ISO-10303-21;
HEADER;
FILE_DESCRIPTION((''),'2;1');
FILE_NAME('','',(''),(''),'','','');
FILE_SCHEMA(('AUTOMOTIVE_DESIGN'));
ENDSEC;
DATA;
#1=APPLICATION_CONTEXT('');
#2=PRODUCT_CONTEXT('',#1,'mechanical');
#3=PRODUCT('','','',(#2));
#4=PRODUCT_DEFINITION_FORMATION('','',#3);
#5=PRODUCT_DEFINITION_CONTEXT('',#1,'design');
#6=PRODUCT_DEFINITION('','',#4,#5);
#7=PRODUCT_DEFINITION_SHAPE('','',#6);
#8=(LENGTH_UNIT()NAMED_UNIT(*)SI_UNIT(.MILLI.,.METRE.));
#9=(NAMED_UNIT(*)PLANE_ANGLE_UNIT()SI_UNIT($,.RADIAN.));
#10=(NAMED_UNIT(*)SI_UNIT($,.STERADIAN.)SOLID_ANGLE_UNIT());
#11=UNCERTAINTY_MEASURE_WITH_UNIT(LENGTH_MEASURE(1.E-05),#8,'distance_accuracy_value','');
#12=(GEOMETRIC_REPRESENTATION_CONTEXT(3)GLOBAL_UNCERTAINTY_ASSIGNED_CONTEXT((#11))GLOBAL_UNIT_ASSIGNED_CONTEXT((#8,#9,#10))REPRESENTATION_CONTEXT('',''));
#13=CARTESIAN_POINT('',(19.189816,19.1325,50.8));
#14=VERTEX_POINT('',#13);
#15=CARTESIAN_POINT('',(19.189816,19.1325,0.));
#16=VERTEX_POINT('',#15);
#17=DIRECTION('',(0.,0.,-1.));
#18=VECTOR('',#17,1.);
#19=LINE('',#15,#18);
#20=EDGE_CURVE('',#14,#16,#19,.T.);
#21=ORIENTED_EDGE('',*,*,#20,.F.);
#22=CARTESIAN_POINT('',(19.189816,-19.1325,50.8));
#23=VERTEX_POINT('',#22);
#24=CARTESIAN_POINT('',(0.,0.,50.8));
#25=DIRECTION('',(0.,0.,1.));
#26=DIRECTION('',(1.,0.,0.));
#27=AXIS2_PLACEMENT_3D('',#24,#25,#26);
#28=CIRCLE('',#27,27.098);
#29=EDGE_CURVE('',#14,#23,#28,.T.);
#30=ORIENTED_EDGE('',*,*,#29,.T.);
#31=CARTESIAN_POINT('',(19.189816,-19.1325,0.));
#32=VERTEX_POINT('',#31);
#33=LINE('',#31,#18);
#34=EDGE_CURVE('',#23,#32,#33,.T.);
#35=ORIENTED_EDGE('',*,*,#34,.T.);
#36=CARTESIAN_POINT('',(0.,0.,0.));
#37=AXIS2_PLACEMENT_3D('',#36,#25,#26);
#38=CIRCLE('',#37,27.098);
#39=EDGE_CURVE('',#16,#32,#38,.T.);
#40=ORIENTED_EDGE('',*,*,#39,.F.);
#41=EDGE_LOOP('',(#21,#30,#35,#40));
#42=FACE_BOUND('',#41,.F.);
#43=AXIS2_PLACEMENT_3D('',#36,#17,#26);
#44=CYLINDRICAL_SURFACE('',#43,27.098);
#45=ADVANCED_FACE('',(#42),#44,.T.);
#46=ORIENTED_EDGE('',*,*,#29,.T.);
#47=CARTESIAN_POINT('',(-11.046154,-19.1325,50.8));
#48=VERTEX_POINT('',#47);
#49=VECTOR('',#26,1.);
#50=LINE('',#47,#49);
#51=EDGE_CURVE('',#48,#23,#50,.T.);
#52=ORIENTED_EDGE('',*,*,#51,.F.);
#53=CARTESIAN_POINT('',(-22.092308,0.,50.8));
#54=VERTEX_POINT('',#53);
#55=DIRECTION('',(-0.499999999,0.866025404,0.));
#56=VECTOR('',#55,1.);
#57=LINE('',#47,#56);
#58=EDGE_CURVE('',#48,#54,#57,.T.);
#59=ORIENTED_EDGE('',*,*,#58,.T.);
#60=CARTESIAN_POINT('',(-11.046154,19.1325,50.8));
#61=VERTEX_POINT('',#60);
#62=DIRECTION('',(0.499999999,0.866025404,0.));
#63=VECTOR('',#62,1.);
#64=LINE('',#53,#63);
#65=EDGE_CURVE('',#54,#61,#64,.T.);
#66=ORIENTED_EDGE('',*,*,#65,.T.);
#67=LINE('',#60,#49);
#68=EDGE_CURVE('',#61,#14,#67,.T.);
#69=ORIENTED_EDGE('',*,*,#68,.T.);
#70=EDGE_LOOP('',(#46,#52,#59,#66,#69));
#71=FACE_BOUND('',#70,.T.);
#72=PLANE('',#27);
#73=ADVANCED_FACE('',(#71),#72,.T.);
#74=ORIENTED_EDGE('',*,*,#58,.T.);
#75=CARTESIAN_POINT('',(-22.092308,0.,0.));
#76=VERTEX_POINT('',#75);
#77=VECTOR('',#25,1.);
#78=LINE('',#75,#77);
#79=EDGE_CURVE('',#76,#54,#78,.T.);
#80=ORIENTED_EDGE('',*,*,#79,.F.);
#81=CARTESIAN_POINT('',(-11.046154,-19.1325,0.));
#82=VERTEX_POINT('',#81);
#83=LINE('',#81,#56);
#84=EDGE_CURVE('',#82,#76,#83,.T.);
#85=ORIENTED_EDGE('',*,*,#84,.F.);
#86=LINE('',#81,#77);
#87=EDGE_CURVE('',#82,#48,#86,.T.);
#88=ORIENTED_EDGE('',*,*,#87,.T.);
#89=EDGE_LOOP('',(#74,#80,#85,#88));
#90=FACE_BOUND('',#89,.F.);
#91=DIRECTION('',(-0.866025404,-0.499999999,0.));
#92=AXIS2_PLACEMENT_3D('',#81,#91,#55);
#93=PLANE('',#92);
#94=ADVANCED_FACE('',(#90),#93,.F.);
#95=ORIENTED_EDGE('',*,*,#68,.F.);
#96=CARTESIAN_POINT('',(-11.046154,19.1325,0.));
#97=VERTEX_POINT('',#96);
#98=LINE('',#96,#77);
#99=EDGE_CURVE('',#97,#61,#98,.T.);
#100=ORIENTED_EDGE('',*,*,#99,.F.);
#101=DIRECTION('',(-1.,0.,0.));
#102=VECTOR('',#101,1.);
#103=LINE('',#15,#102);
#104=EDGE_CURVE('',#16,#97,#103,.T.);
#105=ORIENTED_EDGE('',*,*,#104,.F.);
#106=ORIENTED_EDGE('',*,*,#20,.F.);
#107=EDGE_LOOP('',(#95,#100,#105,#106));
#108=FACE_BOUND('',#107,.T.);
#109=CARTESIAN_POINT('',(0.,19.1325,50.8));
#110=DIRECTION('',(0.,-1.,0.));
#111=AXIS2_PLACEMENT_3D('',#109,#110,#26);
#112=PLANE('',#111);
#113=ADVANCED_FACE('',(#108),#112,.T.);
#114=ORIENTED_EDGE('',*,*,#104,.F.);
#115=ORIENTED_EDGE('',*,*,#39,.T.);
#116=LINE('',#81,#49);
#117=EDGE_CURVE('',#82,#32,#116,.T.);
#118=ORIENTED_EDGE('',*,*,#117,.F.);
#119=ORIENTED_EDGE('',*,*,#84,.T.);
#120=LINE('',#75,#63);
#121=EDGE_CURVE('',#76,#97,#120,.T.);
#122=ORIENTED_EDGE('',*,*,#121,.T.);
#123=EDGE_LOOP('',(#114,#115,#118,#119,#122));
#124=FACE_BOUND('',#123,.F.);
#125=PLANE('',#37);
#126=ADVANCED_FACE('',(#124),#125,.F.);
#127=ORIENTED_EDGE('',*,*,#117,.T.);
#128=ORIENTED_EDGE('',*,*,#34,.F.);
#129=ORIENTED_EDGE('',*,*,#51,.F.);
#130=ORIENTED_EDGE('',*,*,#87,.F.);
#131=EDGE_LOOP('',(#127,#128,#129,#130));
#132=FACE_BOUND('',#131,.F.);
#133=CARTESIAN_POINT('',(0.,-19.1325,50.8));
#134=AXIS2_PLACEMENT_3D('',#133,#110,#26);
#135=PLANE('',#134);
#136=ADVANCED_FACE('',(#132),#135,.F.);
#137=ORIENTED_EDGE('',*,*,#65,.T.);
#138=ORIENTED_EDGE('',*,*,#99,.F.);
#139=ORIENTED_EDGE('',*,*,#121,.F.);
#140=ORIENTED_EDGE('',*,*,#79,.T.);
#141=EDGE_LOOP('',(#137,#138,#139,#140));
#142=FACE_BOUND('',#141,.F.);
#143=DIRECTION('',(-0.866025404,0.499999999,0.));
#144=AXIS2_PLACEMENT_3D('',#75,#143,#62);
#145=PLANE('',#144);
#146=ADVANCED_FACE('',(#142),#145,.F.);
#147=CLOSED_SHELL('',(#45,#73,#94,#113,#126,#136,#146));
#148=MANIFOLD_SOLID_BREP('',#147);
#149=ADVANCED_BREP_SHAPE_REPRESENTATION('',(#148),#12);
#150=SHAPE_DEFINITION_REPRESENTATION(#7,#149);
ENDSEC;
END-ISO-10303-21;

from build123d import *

# Parameters (mm, degrees)
F0_R     = 27.098
F1_DEPTH = 50.8
F2_W     = 42.396251
F2_H     = 38.265
F3_DEPTH = 50.8


with BuildPart() as f1:
    # F0 (on Top) → F1 (new body)
    with BuildSketch(Plane.XY):
        Circle(F0_R)
        Polygon((11.046154, 19.1325), (22.092308, 0), (11.046154, -19.1325), (-11.046154, -19.1325), (-22.092308, 0), (-11.046154, 19.1325), align=None, mode=Mode.SUBTRACT)
    extrude(amount=F1_DEPTH)

    # F2 (on face) → F3 (cut)
    with BuildSketch(Plane.XY.offset(50.8)):
        with Locations((21.198125, 0)):
            Rectangle(F2_W, F2_H)
    extrude(amount=-F3_DEPTH, mode=Mode.SUBTRACT)


solid = f1.part
